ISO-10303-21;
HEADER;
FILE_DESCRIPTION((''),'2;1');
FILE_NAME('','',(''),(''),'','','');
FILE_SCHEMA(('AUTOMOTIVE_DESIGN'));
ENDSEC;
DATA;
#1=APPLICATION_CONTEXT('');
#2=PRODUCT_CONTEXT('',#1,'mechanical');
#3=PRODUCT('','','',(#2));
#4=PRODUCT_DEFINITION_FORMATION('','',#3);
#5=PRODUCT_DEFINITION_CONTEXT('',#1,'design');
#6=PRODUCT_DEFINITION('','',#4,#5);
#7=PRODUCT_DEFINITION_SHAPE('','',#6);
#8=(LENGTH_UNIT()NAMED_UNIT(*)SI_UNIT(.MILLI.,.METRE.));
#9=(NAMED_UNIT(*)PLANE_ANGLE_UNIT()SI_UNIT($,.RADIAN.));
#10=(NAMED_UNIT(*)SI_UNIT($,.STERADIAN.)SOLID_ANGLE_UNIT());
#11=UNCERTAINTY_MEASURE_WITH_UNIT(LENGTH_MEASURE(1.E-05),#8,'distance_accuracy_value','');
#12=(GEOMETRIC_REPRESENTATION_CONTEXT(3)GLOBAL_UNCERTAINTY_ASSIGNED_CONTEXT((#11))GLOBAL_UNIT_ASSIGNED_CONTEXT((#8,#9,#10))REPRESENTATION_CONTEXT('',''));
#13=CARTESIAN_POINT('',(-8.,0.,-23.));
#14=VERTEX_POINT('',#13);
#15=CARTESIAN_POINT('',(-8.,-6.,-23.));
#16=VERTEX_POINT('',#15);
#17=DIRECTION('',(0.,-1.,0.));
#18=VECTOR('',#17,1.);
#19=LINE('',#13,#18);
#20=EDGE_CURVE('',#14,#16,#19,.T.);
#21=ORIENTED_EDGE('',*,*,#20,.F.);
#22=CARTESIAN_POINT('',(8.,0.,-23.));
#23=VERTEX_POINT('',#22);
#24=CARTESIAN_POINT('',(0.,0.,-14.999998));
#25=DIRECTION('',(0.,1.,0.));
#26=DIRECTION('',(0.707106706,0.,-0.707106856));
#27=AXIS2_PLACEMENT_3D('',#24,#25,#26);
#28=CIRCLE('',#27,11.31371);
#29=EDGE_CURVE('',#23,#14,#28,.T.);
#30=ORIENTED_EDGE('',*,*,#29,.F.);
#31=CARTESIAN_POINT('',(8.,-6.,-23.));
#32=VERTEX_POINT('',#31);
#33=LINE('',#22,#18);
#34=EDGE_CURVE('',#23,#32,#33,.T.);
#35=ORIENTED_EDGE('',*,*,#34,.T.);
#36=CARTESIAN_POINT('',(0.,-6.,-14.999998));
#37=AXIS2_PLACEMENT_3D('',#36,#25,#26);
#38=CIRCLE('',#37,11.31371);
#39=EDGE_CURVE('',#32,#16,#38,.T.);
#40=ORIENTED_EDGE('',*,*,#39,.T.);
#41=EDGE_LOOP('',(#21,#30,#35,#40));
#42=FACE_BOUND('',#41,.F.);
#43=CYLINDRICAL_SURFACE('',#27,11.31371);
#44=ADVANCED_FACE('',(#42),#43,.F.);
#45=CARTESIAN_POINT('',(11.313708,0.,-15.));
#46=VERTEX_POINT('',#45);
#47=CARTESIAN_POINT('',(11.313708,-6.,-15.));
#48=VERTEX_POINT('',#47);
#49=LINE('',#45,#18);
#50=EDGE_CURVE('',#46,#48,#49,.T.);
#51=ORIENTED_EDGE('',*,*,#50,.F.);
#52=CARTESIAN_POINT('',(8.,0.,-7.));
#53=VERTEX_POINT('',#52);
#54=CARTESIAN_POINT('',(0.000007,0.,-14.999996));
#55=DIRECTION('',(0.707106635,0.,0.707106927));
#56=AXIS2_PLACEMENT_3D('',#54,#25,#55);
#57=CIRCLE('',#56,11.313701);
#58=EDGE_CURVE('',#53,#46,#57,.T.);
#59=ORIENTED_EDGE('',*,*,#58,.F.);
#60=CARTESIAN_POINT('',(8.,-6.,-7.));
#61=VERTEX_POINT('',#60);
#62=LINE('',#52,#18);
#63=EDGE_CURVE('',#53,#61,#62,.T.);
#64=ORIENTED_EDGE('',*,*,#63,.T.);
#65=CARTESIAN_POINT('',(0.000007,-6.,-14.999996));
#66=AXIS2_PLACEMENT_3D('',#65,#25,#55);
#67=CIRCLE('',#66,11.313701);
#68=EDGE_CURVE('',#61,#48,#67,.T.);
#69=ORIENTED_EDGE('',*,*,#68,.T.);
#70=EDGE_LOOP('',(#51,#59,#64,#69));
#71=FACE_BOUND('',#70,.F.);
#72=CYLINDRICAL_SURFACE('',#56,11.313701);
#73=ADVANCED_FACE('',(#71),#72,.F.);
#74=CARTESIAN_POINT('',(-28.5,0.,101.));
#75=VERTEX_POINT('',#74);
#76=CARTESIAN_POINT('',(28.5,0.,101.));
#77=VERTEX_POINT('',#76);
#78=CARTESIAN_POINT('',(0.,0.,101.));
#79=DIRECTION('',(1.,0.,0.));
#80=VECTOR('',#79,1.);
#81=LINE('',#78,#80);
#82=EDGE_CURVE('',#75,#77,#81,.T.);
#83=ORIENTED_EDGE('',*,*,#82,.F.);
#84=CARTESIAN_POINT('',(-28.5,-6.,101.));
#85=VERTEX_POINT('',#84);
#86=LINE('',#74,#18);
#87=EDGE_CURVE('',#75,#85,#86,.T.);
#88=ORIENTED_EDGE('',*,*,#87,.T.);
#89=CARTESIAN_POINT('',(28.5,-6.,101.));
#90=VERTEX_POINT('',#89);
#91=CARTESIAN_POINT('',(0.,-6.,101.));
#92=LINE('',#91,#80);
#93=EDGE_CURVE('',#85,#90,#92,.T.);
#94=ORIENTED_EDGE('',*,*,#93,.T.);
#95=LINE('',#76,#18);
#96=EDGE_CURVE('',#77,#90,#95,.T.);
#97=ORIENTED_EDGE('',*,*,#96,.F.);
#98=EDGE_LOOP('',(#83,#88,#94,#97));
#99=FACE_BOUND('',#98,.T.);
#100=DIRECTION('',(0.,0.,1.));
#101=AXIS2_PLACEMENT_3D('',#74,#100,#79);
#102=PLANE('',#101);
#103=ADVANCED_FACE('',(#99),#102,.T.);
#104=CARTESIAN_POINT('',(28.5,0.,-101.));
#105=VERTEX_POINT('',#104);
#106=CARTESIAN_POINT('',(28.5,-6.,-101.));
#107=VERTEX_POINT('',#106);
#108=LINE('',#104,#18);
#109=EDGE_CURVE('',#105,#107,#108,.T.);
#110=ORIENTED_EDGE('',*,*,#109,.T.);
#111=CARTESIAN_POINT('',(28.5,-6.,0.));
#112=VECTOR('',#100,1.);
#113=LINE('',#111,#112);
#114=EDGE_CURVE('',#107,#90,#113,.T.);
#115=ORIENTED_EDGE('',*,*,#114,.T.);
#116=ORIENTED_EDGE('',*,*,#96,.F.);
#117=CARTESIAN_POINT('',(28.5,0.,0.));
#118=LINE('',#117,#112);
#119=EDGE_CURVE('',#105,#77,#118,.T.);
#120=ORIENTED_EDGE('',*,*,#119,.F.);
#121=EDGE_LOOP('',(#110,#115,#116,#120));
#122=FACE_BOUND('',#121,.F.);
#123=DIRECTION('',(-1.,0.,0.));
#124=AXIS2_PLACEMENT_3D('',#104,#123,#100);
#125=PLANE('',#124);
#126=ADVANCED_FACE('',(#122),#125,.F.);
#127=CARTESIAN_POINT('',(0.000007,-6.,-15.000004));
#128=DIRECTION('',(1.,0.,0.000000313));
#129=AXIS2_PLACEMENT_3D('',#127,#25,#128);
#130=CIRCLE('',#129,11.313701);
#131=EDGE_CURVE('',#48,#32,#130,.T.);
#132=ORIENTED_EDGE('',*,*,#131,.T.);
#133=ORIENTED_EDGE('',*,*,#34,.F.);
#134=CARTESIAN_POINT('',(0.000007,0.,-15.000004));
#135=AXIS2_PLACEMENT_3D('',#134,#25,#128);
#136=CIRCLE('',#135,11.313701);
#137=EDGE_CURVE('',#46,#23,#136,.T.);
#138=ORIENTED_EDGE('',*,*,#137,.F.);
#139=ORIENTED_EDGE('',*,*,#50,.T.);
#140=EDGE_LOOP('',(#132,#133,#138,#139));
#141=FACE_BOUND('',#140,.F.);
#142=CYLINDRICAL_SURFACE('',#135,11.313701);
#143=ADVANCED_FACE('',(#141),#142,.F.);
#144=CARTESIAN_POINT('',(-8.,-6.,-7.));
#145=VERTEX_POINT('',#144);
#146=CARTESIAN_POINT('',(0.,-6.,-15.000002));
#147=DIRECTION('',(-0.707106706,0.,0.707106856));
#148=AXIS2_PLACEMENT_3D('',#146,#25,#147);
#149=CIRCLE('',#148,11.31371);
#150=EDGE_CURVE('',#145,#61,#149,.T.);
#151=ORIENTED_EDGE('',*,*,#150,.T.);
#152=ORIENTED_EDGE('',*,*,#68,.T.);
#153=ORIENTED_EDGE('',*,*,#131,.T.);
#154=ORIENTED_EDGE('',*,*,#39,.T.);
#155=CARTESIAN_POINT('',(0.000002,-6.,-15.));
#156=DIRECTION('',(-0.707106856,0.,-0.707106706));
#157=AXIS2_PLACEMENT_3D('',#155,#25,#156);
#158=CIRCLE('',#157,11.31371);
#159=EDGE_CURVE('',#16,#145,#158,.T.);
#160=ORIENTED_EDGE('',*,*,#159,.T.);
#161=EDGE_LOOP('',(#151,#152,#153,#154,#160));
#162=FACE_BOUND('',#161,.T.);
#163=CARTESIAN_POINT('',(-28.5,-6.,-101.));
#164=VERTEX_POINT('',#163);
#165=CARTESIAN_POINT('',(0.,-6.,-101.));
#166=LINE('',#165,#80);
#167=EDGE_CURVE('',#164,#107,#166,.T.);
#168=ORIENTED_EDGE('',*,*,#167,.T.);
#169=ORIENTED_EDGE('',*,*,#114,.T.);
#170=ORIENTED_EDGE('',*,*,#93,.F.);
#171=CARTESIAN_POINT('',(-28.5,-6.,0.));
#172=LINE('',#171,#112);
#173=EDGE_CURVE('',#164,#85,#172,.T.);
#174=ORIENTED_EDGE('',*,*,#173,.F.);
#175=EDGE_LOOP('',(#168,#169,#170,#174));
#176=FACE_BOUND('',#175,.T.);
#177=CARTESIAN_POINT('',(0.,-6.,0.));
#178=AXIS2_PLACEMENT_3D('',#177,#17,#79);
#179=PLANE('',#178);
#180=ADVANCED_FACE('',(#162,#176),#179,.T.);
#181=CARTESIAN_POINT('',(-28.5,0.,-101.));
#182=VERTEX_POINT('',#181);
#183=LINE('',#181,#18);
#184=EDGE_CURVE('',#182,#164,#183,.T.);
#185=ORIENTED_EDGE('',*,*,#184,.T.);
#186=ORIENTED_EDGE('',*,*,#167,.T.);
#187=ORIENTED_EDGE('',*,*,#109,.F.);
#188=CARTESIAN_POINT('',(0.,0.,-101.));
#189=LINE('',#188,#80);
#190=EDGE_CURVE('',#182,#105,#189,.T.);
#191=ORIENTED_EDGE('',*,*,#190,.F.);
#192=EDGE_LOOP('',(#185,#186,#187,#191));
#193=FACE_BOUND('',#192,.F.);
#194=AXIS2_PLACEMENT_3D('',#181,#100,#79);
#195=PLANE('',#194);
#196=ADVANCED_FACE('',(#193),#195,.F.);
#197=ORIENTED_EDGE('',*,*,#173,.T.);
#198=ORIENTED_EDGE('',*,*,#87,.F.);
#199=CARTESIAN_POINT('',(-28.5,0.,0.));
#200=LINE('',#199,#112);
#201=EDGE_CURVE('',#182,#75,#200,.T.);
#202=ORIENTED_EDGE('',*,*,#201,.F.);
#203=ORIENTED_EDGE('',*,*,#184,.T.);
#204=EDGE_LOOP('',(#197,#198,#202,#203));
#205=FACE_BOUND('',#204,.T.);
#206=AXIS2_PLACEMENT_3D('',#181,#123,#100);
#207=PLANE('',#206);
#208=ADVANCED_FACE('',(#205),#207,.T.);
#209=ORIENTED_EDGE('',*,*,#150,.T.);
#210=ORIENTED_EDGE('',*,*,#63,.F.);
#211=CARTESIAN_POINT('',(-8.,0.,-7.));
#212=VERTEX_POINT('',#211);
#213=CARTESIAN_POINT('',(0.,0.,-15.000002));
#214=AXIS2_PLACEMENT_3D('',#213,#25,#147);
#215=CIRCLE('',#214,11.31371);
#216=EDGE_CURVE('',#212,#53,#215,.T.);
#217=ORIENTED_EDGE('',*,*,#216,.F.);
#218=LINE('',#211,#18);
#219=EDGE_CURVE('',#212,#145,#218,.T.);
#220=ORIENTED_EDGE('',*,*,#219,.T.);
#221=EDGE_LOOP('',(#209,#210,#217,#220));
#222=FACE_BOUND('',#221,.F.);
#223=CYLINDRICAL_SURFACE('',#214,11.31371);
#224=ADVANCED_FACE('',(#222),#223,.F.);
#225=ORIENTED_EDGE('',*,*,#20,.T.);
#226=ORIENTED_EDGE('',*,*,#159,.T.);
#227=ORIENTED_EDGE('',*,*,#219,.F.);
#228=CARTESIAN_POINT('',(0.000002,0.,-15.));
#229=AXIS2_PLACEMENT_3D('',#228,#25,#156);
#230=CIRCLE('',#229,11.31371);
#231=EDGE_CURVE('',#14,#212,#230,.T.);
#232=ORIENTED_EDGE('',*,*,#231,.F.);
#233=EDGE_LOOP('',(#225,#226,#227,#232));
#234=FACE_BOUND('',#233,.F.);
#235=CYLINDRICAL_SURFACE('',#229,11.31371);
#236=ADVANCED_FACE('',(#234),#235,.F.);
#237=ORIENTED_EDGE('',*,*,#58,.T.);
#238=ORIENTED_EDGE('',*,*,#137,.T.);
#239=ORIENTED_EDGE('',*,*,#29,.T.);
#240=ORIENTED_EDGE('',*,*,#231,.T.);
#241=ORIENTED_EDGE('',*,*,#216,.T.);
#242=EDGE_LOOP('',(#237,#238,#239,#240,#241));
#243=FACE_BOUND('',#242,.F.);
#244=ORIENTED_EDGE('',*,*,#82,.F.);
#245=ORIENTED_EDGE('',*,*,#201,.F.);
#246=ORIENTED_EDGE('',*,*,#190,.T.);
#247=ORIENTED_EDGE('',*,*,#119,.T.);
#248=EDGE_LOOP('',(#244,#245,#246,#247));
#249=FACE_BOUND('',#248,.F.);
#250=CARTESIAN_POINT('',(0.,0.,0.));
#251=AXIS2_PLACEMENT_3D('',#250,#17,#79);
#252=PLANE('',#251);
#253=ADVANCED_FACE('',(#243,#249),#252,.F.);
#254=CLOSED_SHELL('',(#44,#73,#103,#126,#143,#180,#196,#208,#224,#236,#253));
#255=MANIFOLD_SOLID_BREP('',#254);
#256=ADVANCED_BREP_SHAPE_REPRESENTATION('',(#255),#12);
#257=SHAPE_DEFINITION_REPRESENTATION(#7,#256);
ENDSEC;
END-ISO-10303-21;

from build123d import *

# Parameters (mm, degrees)
F0_W     = 57
F0_H     = 202
F1_DEPTH = 6


with BuildPart() as f1:
    # F0 (on Front) → F1 (new body)
    with BuildSketch(Plane.XZ):
        Rectangle(F0_W, F0_H)
        with BuildLine():
            ThreePointArc((-8, -23), (-11.313708, -15), (-8, -7))
            ThreePointArc((-8, -7), (0, -3.686292), (8, -7))
            ThreePointArc((8, -7), (10.452504, -10.670431), (11.313708, -15))
            ThreePointArc((11.313708, -15), (10.452504, -19.329569), (8, -23))
            ThreePointArc((8, -23), (0, -26.313708), (-8, -23))
        make_face(mode=Mode.SUBTRACT)
    extrude(amount=F1_DEPTH)


solid = f1.part
